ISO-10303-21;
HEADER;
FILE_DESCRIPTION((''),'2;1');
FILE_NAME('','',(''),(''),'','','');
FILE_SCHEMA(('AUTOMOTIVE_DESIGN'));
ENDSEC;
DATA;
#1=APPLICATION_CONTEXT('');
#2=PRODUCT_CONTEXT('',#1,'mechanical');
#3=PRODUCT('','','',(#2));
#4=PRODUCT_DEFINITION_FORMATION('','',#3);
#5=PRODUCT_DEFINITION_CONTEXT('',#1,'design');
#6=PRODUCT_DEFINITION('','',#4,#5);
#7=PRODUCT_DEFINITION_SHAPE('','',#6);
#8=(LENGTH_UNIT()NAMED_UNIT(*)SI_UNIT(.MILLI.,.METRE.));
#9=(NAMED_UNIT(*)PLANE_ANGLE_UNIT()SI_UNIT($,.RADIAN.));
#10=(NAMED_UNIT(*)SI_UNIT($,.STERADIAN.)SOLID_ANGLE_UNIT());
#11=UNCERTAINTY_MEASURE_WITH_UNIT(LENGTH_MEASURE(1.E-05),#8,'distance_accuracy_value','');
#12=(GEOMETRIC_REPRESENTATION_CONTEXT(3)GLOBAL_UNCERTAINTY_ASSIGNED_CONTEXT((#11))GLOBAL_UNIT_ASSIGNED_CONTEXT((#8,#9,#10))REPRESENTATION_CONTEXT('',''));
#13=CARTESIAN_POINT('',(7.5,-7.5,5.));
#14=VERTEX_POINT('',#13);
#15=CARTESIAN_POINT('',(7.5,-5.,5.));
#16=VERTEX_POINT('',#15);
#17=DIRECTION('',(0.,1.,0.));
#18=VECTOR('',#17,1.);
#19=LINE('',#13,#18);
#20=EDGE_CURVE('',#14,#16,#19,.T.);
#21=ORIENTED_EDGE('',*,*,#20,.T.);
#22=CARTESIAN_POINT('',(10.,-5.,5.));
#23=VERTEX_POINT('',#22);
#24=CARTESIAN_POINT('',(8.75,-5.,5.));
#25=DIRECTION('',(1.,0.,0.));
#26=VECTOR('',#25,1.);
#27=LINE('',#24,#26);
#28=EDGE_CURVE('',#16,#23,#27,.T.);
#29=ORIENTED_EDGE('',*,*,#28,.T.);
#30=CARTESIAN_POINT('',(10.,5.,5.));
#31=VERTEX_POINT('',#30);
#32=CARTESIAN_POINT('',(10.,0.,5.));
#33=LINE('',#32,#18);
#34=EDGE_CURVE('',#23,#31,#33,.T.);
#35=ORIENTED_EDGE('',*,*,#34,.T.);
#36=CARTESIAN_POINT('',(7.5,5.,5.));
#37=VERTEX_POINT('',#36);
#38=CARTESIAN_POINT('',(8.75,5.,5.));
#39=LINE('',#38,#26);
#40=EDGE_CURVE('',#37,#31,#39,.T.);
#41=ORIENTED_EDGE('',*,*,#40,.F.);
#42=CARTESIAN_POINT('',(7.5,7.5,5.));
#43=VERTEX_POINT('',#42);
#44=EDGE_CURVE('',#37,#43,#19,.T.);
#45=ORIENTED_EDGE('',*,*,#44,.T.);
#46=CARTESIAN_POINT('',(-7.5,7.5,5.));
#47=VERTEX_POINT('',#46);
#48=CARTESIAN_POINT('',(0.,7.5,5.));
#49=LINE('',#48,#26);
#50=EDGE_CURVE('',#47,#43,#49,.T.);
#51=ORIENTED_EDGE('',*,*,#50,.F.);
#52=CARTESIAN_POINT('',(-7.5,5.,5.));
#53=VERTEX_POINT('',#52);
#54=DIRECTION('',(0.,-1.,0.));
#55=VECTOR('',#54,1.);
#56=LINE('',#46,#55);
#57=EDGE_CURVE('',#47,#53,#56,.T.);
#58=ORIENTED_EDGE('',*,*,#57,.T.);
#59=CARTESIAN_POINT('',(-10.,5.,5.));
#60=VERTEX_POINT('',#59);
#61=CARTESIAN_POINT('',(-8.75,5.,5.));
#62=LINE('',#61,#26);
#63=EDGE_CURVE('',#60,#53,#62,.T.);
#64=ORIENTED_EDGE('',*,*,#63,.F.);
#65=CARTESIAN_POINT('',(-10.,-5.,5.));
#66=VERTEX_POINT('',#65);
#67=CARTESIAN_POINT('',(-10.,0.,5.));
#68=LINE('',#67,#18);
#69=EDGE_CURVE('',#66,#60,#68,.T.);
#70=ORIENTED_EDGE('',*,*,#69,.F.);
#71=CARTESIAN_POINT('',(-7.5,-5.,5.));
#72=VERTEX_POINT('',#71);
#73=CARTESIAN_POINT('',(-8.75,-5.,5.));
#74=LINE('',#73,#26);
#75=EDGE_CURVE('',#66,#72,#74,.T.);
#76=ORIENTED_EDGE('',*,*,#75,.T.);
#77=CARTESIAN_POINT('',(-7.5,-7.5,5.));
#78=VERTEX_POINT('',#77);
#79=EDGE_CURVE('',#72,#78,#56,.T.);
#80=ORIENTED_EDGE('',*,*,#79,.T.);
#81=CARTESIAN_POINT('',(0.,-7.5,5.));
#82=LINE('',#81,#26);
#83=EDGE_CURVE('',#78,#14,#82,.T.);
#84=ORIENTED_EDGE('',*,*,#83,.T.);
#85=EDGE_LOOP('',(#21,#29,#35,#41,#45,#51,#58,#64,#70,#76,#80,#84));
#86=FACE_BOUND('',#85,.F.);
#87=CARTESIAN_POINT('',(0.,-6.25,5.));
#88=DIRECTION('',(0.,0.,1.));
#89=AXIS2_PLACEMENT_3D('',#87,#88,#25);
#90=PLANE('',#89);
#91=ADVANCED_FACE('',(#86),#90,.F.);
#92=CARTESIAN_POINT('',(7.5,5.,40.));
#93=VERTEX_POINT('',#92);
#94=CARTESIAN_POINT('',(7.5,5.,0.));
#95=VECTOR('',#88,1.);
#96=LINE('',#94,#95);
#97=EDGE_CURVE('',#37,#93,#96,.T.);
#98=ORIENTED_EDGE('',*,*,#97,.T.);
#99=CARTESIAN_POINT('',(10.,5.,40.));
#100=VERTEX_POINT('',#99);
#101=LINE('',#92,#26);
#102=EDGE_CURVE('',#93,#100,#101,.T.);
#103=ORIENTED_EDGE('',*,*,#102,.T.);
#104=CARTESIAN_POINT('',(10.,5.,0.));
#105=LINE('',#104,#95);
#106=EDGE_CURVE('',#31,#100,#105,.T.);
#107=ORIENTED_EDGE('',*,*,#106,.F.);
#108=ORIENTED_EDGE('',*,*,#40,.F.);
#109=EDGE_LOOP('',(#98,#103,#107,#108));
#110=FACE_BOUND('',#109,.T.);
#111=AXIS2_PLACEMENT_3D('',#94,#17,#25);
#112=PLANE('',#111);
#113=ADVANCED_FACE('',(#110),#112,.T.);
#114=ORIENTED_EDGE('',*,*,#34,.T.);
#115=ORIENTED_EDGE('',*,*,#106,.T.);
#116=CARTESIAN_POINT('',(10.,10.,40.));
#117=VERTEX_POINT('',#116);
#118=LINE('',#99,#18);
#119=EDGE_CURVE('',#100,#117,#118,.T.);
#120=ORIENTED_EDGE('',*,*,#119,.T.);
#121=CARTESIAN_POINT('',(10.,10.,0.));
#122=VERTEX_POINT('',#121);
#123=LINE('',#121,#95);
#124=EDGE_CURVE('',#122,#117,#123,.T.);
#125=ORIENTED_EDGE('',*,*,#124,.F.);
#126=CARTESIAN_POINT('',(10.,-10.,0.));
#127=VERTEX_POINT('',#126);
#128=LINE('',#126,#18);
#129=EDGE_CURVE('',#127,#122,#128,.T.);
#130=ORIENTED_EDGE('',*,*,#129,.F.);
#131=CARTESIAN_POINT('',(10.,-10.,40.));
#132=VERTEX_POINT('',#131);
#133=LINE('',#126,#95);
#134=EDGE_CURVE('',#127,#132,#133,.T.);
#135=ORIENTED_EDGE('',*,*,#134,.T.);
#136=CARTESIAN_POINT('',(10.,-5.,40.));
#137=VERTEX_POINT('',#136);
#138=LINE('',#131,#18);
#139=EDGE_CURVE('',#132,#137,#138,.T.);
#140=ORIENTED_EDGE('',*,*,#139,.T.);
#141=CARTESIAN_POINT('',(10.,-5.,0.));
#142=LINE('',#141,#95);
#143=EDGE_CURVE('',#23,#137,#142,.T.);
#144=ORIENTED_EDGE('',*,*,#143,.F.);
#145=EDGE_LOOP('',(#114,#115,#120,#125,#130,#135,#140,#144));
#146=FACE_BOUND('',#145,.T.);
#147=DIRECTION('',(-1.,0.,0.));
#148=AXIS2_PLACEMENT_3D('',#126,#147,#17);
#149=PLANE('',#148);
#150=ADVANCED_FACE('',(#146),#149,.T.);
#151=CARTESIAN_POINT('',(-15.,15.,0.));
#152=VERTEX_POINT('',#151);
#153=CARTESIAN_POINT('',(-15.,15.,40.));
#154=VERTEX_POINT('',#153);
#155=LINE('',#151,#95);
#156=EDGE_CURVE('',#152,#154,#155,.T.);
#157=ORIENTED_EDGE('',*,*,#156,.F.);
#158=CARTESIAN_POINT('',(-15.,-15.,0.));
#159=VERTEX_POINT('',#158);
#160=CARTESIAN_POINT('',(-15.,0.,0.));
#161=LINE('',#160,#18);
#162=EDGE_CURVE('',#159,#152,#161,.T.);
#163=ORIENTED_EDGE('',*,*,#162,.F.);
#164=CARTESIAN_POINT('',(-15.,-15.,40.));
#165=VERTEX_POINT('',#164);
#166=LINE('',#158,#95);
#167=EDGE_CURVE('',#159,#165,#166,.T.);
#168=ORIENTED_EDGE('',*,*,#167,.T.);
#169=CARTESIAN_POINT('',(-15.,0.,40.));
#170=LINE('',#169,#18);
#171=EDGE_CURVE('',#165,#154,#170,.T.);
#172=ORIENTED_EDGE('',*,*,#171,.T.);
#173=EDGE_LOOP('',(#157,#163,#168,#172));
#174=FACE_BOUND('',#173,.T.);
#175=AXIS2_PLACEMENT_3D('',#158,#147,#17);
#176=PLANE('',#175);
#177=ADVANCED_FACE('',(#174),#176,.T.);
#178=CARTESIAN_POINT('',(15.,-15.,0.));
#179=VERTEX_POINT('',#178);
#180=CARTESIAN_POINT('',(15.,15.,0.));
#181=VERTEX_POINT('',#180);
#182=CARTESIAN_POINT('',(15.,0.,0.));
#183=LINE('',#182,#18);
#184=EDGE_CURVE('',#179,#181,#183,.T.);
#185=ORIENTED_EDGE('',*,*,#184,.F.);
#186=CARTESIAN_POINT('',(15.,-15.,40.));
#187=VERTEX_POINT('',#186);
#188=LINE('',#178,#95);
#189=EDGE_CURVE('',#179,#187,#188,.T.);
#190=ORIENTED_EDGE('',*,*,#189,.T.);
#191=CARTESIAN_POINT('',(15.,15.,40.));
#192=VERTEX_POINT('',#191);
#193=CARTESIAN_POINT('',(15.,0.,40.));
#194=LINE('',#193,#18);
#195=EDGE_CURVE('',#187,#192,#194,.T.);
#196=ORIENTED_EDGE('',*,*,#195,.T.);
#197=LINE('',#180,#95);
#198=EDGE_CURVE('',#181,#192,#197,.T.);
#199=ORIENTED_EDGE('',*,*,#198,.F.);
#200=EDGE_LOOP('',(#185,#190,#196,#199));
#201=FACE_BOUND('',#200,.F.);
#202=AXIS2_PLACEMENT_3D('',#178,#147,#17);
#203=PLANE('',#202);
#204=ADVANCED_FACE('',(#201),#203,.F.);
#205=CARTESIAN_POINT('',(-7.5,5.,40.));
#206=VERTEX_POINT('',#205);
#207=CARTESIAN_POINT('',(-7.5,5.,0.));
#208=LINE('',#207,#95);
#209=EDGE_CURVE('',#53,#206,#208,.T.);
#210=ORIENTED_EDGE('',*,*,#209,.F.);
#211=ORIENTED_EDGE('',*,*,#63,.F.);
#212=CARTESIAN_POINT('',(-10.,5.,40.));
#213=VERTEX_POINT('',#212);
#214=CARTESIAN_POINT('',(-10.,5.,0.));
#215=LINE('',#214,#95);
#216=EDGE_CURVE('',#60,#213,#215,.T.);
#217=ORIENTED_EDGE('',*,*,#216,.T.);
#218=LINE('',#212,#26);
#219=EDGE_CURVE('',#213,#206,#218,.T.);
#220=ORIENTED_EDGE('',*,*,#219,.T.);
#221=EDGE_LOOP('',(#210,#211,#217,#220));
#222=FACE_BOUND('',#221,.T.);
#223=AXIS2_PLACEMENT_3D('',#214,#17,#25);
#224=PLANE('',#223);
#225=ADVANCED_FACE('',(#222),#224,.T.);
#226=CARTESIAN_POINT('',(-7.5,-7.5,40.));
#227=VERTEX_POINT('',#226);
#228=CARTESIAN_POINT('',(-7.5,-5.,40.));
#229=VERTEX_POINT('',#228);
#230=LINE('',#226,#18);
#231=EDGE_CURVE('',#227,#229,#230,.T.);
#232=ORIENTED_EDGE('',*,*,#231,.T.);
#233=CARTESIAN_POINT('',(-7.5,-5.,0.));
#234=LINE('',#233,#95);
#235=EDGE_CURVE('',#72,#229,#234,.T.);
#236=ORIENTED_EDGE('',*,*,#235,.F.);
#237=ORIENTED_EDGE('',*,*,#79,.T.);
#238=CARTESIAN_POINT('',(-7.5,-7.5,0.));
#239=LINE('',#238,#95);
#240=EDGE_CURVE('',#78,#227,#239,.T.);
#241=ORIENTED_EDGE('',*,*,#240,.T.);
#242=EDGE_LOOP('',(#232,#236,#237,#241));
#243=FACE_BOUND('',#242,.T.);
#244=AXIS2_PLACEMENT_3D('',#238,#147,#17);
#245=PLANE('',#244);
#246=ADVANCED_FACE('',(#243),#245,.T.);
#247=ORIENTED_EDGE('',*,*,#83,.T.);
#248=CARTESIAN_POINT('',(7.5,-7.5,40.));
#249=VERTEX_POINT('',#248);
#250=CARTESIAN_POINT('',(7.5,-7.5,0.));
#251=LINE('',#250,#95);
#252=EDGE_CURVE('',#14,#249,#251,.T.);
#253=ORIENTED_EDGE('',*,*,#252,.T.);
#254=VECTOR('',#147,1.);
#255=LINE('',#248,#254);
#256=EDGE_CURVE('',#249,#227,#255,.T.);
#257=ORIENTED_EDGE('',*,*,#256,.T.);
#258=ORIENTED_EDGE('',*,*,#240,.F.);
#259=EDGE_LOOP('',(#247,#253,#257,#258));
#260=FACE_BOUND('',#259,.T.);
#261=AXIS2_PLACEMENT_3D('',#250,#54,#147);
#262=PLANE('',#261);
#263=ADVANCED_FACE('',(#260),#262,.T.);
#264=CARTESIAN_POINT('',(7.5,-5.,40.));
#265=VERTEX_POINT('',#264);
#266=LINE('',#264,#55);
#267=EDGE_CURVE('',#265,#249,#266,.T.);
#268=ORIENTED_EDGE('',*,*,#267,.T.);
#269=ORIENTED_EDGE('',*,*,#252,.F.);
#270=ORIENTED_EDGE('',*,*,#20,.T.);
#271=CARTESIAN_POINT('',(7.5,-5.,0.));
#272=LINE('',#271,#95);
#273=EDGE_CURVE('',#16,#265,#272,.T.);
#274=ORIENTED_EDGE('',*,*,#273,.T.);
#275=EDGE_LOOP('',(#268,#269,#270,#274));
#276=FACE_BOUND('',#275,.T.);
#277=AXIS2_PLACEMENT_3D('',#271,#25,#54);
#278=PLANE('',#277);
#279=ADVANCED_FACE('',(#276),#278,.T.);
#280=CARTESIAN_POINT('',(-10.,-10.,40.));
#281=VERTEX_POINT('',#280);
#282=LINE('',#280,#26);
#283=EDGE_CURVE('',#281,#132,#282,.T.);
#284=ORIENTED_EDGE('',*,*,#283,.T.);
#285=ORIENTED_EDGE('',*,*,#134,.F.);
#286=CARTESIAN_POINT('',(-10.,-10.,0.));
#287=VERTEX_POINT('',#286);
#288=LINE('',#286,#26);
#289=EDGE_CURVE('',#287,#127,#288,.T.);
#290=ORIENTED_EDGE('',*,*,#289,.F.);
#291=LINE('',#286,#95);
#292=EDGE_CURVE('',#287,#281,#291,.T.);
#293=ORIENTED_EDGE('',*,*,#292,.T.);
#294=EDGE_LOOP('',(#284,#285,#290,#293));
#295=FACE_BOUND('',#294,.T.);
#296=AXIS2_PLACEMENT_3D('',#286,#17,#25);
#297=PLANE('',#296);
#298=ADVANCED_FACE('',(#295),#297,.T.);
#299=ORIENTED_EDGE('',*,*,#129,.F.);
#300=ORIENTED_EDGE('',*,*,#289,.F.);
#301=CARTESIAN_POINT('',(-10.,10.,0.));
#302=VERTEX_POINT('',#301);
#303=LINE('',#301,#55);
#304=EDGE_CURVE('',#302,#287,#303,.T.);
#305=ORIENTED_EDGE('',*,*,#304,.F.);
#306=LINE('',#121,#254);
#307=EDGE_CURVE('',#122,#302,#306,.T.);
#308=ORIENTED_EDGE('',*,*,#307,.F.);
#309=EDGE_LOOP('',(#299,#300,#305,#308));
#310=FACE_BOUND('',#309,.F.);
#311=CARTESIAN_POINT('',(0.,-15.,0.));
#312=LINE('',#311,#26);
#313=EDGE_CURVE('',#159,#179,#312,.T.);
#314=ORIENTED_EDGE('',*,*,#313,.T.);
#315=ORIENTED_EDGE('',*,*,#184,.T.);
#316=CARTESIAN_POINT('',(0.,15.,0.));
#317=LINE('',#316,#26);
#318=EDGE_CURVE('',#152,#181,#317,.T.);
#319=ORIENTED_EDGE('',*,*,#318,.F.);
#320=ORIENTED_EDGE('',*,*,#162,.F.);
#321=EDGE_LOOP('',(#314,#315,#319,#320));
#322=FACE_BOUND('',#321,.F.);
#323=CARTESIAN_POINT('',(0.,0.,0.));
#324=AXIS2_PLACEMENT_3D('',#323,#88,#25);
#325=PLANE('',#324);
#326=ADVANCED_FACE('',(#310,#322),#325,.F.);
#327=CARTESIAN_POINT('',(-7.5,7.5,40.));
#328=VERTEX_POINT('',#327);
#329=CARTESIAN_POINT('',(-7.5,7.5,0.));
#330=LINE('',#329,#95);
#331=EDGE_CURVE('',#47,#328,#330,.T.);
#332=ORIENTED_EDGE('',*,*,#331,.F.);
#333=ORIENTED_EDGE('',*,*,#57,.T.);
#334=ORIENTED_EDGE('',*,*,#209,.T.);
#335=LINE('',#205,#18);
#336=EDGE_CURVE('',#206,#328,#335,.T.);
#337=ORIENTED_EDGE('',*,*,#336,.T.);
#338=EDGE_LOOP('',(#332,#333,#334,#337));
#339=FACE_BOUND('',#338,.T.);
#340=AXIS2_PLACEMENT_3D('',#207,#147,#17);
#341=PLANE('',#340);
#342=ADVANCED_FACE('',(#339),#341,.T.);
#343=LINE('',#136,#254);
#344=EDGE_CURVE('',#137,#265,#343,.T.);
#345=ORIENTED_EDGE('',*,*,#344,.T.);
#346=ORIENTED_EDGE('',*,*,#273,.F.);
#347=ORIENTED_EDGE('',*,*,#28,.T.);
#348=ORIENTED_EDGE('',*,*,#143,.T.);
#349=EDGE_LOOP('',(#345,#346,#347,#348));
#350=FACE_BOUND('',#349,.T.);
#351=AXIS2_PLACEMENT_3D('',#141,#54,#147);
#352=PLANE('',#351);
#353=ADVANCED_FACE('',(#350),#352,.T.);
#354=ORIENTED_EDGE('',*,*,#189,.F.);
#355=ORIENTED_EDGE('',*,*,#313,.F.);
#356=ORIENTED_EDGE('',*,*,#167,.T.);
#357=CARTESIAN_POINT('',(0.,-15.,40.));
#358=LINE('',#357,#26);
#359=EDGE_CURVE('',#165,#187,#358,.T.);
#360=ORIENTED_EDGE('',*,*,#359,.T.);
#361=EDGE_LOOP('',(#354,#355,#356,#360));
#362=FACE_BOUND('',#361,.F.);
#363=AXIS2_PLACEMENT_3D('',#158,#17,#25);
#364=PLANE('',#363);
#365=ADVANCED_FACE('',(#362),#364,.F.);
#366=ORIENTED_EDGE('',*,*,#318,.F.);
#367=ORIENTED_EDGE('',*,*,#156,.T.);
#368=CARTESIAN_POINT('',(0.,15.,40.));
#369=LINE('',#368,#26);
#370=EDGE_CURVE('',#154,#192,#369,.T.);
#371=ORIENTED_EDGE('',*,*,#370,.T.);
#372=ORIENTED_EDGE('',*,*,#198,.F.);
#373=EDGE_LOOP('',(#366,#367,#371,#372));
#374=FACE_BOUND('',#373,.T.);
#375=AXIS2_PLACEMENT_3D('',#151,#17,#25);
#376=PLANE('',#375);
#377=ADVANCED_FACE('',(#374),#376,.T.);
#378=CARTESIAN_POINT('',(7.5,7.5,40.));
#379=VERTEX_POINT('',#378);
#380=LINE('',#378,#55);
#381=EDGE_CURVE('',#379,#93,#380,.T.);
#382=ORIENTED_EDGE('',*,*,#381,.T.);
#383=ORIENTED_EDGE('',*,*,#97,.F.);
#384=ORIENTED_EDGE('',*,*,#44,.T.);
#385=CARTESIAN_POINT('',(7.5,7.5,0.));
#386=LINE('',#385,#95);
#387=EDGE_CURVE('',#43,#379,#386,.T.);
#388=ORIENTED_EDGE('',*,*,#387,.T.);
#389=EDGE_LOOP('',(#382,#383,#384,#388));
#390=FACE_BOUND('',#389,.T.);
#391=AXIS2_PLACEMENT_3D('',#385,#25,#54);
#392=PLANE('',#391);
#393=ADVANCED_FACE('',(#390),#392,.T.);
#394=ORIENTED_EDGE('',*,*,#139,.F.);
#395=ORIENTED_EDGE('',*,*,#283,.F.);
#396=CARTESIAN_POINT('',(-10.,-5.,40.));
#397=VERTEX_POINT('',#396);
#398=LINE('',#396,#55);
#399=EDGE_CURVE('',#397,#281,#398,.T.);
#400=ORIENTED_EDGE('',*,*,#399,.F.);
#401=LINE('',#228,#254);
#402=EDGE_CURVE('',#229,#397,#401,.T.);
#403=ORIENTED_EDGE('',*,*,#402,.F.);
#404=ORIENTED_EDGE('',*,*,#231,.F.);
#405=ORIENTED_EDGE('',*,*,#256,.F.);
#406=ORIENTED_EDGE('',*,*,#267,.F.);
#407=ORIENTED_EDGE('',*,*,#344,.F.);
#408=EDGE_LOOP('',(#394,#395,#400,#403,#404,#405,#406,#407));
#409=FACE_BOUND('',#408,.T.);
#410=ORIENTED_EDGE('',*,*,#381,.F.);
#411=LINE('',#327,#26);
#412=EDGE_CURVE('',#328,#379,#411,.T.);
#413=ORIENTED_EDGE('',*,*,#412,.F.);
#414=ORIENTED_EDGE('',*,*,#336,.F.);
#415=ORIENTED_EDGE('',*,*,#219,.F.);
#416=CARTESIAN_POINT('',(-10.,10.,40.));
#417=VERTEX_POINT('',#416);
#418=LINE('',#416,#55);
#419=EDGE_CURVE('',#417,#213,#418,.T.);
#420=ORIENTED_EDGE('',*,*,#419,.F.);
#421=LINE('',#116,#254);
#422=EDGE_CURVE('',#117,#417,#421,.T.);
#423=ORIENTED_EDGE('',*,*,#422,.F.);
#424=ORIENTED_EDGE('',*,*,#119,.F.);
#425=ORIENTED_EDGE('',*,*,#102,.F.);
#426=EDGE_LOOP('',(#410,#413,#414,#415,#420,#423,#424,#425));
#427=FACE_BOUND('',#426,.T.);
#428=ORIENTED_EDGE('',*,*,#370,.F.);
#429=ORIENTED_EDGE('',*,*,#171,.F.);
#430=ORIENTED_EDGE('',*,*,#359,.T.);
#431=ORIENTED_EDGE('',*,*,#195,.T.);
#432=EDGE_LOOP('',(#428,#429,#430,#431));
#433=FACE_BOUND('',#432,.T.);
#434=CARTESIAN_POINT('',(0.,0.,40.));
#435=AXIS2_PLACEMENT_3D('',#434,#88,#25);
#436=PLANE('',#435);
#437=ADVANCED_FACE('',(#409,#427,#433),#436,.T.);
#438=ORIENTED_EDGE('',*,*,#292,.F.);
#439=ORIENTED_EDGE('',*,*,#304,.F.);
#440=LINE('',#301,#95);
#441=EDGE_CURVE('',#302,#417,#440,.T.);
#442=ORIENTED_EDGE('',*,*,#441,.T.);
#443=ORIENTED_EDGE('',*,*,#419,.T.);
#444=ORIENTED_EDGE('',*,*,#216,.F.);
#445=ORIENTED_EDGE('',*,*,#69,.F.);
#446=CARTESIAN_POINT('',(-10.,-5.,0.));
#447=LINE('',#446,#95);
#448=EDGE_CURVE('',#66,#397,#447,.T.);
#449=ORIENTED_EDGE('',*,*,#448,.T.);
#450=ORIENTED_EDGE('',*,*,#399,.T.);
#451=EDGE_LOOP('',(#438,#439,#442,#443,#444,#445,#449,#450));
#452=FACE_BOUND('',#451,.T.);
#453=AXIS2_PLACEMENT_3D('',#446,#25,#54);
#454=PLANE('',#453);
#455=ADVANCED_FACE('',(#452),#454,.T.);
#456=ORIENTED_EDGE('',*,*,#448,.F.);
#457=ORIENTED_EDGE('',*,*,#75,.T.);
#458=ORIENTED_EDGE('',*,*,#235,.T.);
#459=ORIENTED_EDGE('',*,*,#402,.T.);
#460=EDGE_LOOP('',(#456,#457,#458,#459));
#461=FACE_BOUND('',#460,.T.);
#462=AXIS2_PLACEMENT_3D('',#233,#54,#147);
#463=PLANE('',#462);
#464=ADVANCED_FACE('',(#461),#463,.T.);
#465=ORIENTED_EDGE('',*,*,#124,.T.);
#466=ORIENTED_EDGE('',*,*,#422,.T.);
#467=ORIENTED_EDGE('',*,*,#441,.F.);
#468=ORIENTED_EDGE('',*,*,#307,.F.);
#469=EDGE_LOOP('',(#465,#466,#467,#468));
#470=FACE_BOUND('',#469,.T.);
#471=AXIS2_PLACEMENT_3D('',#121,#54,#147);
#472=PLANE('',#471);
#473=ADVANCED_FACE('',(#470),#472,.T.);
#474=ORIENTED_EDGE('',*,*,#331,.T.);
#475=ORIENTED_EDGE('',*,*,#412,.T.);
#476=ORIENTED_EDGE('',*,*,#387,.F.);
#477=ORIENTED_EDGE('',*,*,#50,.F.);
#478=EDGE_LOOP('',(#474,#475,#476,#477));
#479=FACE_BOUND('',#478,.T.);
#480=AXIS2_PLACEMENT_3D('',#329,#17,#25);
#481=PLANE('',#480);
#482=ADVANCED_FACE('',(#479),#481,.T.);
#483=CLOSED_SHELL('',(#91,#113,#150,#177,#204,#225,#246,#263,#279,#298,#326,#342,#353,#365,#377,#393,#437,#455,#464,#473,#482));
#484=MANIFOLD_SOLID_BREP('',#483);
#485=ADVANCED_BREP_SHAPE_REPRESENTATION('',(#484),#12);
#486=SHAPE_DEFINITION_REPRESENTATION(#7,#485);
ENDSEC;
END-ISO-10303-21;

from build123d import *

# Parameters (mm, degrees)
F0_W     = 30
F0_H     = 30
F0_W_2   = 15
F0_H_2   = 10
F0_H_3   = 2.5
F0_W_3   = 2.5
F1_DEPTH = 40
F2_DEPTH = 5
F3_DEPTH = 40


with BuildPart() as f1:
    # F0 (on Top) → F1 (new body)
    with BuildSketch(Plane.XY):
        Rectangle(F0_W, F0_H)
        Polygon((10, 5), (10, -5), (10, -10), (-10, -10), (-10, -5), (-10, 5), (-10, 10), (10, 10), align=None, mode=Mode.SUBTRACT)
        Rectangle(F0_W_2, F0_H_2)
        Polygon((7.5, 7.5), (7.5, 5), (10, 5), (10, 10), (-10, 10), (-10, 5), (-7.5, 5), (-7.5, 7.5), align=None)
        Polygon((7.5, -5), (7.5, -7.5), (-7.5, -7.5), (-7.5, -5), (-10, -5), (-10, -10), (10, -10), (10, -5), align=None)
        with Locations((0, 6.25)):
            Rectangle(F0_W_2, F0_H_3)
        with Locations((0, -6.25)):
            Rectangle(F0_W_2, F0_H_3)
        with Locations((8.75, 0)):
            Rectangle(F0_W_3, F0_H_2)
        with Locations((-8.75, 0)):
            Rectangle(F0_W_3, F0_H_2)
    extrude(amount=F1_DEPTH)

    # F0 (on Top) → F2 (cut)
    with BuildSketch(Plane.XY):
        with Locations((0, -6.25)):
            Rectangle(F0_W_2, F0_H_3)
        Rectangle(F0_W_2, F0_H_2)
        with Locations((0, 6.25)):
            Rectangle(F0_W_2, F0_H_3)
        with Locations((8.75, 0)):
            Rectangle(F0_W_3, F0_H_2)
        with Locations((-8.75, 0)):
            Rectangle(F0_W_3, F0_H_2)
    extrude(amount=F2_DEPTH, mode=Mode.SUBTRACT)

    # F0 (on Top) → F3 (cut)
    with BuildSketch(Plane.XY):
        Polygon((7.5, -5), (7.5, -7.5), (-7.5, -7.5), (-7.5, -5), (-10, -5), (-10, -10), (10, -10), (10, -5), align=None)
        Polygon((7.5, 7.5), (7.5, 5), (10, 5), (10, 10), (-10, 10), (-10, 5), (-7.5, 5), (-7.5, 7.5), align=None)
    extrude(amount=F3_DEPTH, mode=Mode.SUBTRACT)


solid = f1.part
